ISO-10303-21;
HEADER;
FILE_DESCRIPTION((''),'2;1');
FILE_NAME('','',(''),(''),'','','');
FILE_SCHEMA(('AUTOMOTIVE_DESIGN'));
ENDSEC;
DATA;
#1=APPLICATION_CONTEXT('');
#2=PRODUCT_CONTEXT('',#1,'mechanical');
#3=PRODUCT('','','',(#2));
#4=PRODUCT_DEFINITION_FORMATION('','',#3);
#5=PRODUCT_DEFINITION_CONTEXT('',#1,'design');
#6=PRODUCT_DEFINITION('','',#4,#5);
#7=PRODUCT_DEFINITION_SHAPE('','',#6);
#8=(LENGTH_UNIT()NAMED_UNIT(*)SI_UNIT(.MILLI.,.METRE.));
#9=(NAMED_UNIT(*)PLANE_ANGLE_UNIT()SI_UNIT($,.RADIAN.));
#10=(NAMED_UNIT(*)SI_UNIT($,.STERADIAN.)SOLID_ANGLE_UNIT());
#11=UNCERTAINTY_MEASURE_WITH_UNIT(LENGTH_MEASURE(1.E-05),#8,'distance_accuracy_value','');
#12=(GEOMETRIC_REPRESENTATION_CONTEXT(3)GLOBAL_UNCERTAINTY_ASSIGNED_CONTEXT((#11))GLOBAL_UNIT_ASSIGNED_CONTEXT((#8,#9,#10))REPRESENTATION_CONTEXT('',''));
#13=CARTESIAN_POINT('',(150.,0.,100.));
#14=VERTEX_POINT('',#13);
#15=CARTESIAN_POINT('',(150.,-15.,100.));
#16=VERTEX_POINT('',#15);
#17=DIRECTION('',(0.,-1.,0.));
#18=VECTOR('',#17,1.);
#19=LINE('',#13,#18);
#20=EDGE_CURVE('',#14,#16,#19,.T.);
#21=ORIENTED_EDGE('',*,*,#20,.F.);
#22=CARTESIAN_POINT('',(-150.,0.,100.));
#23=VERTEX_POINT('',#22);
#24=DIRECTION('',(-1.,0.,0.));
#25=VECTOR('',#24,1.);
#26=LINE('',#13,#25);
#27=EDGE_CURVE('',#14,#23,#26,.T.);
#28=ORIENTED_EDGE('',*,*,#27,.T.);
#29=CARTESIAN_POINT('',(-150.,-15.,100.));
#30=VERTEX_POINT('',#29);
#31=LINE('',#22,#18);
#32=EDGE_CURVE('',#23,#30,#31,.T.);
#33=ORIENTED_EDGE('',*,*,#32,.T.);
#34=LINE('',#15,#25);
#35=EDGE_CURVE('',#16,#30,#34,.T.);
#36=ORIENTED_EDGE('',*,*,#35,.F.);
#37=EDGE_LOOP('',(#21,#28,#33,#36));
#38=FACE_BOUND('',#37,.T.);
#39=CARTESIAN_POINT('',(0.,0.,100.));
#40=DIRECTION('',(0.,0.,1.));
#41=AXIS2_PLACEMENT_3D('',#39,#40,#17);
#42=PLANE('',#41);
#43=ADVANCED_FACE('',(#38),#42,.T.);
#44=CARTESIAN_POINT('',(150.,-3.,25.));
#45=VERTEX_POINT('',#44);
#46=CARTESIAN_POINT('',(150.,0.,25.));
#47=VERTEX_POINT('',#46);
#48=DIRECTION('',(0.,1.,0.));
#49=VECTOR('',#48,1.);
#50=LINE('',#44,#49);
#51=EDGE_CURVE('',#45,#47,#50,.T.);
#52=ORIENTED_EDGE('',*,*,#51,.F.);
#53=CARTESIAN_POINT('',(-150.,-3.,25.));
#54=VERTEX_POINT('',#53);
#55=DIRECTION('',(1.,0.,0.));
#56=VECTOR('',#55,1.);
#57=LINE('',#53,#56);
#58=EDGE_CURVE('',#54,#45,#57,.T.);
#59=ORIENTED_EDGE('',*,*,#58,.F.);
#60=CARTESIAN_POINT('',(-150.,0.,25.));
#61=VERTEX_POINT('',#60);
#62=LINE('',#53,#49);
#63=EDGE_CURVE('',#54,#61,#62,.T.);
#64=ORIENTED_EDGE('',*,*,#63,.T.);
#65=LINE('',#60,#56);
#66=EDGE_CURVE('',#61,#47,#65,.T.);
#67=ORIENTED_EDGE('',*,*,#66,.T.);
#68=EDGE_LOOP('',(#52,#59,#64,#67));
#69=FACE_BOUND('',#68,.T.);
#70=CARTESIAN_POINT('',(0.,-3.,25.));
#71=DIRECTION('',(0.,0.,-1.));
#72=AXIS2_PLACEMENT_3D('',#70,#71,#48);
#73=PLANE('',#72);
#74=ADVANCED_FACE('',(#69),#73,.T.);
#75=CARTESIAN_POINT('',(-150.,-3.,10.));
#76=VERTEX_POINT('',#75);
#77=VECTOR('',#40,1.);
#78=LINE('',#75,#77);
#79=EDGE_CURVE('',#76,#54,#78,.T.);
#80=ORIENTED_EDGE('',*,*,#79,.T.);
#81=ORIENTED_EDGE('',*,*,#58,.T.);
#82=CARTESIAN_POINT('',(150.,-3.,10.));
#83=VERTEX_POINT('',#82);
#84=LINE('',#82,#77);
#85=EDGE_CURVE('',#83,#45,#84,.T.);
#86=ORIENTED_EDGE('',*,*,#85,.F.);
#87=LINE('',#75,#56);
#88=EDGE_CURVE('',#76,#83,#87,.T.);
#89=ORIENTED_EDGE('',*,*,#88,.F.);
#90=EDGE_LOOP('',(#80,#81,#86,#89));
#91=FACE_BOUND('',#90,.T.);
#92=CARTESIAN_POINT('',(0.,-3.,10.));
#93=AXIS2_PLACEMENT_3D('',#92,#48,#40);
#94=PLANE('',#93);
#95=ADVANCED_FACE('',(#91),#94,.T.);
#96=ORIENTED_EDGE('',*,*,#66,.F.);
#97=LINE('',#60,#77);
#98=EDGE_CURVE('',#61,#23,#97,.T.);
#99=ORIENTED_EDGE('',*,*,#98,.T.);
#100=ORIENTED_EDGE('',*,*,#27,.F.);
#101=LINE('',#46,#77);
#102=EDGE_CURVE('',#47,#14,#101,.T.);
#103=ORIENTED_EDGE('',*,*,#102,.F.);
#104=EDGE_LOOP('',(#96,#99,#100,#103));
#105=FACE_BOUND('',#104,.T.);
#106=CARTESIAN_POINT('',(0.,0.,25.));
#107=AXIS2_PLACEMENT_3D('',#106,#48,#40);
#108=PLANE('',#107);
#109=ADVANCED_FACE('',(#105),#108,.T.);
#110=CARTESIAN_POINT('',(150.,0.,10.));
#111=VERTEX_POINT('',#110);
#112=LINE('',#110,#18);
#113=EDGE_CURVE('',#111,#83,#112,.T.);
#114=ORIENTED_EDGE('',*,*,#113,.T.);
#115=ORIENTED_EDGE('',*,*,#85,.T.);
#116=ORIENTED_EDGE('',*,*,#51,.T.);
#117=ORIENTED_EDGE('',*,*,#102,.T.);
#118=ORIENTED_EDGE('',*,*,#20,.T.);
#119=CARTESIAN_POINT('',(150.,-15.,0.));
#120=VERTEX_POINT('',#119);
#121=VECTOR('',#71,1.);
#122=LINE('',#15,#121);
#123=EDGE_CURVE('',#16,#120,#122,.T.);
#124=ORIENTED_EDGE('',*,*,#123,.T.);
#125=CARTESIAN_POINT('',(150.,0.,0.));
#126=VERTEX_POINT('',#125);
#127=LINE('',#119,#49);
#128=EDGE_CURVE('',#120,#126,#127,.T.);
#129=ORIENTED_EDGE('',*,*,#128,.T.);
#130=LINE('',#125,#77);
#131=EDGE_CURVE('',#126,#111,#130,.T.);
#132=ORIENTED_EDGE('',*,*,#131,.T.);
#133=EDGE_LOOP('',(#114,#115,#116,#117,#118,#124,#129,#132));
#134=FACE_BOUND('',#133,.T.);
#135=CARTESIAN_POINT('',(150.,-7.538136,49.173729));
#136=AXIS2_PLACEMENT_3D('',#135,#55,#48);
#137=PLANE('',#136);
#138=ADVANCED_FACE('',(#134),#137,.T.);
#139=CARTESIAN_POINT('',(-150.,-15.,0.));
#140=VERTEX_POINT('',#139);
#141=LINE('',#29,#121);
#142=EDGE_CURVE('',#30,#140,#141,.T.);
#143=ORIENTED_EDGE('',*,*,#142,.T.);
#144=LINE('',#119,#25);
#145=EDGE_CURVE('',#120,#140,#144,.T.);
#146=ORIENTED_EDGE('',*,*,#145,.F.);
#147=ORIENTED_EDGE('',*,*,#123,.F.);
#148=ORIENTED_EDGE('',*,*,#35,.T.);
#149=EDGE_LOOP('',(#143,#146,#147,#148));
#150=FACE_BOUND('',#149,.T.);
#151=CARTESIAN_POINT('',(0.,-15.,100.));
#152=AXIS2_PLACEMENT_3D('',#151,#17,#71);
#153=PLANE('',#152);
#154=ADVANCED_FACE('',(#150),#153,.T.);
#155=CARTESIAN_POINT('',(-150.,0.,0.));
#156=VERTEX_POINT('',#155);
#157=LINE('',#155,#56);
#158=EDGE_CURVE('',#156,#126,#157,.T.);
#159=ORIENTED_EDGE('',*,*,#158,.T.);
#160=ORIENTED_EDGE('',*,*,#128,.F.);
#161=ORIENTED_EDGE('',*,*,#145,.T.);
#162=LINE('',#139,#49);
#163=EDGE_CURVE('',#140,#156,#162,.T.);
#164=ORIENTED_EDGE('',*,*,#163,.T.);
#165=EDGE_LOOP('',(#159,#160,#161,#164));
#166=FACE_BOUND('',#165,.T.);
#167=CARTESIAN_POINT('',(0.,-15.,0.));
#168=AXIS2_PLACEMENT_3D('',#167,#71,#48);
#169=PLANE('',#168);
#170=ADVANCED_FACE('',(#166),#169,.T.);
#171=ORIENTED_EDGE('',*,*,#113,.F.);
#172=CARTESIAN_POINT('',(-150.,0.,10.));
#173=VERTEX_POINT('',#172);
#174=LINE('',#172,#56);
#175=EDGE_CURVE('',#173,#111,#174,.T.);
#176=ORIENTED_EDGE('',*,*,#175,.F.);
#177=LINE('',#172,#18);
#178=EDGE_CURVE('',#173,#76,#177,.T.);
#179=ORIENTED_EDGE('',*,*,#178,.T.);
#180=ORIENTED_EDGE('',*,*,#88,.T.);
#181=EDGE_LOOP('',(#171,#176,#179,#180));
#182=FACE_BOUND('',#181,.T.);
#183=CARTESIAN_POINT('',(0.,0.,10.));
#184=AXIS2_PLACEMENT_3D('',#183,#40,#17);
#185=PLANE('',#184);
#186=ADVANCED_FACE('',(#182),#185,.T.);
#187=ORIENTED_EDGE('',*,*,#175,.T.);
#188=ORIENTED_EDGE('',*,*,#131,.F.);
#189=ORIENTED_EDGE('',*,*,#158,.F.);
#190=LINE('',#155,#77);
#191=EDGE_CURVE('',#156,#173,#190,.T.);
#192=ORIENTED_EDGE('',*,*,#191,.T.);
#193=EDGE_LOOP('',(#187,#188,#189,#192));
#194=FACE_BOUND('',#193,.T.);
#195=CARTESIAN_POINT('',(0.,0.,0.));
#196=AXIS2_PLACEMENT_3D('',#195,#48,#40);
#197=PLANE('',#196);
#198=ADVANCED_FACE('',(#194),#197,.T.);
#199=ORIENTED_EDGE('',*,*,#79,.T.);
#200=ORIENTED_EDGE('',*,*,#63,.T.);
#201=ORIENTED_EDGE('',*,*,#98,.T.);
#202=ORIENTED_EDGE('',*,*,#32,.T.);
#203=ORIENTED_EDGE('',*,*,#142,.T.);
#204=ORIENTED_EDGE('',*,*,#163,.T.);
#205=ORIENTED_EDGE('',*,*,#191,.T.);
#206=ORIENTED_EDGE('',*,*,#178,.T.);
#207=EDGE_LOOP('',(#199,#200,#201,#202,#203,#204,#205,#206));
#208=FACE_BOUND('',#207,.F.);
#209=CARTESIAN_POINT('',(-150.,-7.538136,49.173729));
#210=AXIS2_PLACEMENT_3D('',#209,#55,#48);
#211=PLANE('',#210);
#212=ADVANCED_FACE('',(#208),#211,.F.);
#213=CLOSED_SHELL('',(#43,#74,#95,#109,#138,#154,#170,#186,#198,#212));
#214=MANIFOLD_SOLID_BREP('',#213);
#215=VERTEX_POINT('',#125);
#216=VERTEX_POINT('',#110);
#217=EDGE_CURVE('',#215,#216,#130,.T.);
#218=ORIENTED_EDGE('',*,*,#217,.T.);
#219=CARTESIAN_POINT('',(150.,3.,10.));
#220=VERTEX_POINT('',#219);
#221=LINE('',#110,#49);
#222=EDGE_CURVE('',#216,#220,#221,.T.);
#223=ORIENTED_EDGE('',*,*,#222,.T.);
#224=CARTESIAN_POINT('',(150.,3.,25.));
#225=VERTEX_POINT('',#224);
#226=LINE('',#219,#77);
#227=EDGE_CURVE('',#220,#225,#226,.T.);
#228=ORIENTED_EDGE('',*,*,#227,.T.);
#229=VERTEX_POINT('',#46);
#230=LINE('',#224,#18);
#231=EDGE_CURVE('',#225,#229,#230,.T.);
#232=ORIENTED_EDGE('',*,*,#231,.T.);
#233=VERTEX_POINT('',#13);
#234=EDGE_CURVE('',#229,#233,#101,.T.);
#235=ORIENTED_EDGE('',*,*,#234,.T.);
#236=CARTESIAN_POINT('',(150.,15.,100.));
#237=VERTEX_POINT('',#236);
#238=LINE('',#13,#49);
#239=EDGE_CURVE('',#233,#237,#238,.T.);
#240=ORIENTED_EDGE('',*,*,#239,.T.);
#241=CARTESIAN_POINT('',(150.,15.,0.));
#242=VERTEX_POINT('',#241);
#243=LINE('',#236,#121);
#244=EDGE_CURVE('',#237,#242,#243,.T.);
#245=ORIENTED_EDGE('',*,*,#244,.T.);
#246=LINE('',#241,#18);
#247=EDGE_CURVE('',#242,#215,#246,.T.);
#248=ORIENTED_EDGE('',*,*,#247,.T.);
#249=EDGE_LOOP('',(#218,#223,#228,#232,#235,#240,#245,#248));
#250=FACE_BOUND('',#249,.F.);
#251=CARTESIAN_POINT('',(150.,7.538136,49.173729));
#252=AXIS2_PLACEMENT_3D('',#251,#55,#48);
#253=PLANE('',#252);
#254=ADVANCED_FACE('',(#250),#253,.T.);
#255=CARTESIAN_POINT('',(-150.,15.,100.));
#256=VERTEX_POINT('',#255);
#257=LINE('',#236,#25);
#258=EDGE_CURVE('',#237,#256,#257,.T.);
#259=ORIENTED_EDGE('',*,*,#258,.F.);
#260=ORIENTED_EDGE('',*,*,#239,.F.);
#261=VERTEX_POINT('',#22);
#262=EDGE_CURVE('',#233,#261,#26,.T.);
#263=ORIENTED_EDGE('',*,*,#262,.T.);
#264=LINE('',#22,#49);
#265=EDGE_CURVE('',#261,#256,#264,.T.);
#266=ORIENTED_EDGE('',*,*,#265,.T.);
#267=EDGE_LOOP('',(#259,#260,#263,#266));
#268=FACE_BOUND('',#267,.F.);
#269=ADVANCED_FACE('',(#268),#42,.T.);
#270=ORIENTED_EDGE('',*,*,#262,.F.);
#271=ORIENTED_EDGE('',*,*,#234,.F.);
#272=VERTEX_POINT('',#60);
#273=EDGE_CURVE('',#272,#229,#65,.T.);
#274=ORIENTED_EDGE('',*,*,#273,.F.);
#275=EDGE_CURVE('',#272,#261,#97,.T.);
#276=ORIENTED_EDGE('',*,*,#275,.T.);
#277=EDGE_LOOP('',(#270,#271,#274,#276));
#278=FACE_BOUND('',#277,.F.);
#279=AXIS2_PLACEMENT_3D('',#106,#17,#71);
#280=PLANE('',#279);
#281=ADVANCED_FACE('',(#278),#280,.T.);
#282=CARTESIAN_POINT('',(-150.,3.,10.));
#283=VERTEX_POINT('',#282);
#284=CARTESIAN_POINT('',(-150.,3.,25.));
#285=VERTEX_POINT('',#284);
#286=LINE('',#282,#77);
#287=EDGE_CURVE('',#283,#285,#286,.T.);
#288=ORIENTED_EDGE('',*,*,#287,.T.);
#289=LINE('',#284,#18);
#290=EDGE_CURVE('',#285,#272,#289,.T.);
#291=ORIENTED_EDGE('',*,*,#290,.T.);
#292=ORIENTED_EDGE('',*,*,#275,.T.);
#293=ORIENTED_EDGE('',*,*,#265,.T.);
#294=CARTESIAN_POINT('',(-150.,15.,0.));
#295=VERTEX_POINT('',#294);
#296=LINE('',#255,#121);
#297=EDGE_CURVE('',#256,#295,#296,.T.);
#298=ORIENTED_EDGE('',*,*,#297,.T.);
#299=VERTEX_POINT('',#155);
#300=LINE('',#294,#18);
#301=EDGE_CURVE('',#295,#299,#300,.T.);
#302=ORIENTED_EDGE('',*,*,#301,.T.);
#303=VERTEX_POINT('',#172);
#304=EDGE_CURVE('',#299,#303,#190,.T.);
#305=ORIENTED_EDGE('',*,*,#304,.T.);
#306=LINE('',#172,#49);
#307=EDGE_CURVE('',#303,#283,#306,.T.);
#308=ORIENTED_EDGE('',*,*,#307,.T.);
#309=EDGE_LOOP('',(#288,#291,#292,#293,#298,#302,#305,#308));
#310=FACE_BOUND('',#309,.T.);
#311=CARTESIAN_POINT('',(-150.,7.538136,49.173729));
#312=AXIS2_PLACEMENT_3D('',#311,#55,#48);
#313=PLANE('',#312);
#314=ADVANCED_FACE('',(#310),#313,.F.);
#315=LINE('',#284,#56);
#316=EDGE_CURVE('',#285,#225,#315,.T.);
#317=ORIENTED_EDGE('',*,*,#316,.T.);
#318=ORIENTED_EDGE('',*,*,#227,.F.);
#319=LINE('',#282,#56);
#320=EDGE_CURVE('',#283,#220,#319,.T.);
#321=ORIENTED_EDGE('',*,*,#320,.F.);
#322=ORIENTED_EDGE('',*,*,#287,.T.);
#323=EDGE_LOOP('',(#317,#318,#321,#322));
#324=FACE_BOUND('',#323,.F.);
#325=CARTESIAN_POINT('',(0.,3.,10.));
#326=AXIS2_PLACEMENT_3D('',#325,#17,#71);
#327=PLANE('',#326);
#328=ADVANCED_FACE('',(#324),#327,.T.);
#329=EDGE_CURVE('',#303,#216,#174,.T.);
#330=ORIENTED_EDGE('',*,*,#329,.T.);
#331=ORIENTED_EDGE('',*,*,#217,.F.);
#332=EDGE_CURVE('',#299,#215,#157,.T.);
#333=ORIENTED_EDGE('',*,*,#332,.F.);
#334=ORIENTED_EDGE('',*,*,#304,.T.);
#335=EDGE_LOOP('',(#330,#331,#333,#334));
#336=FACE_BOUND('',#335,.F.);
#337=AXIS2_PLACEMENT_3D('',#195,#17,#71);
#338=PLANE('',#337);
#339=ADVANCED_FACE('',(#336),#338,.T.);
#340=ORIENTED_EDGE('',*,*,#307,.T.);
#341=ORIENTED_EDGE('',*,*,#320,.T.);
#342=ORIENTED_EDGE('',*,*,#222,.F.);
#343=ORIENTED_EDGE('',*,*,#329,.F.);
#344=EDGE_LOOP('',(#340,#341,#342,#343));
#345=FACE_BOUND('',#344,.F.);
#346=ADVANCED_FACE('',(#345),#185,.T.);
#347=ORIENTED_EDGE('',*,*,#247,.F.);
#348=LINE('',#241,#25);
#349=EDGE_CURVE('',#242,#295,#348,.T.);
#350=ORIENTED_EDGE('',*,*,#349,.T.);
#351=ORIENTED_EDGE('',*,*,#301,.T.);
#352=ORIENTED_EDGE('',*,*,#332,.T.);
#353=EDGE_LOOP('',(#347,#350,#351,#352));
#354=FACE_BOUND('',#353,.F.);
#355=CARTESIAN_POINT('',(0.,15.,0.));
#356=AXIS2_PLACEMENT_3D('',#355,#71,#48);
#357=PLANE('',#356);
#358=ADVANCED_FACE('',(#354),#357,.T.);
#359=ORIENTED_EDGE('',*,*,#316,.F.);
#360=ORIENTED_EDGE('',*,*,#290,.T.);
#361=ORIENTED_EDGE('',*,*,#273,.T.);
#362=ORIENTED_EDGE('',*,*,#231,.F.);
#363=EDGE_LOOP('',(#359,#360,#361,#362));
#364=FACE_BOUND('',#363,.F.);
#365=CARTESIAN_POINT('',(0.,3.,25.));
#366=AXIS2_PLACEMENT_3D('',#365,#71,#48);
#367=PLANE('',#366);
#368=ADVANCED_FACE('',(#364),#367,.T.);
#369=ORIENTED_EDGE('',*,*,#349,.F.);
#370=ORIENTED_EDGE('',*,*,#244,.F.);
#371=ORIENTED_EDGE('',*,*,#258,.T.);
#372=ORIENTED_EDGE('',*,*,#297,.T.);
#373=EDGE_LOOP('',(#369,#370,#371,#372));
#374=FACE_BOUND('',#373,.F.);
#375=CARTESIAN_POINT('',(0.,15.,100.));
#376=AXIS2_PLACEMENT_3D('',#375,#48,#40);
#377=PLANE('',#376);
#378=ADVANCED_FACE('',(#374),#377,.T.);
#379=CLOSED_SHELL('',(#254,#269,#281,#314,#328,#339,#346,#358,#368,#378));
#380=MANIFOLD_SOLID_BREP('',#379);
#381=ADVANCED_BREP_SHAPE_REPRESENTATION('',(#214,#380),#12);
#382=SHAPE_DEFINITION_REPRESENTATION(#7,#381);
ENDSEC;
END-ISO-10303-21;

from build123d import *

# Parameters (mm, degrees)
F1_DEPTH = 150


with BuildPart() as f1:
    # F0 (on Right) → F1 (new body, symmetric)
    with BuildSketch(Plane.YZ):
        Polygon((-15, 0), (0, 0), (0, 10), (-3, 10), (-3, 25), (0, 25), (0, 100), (-15, 100), align=None)
    extrude(amount=F1_DEPTH, both=True)


with BuildPart() as f2_1:
    # F2: instance of F1
    add(f1.part.mirror(Plane.XZ))


solid = Compound([f1.part, f2_1.part])
